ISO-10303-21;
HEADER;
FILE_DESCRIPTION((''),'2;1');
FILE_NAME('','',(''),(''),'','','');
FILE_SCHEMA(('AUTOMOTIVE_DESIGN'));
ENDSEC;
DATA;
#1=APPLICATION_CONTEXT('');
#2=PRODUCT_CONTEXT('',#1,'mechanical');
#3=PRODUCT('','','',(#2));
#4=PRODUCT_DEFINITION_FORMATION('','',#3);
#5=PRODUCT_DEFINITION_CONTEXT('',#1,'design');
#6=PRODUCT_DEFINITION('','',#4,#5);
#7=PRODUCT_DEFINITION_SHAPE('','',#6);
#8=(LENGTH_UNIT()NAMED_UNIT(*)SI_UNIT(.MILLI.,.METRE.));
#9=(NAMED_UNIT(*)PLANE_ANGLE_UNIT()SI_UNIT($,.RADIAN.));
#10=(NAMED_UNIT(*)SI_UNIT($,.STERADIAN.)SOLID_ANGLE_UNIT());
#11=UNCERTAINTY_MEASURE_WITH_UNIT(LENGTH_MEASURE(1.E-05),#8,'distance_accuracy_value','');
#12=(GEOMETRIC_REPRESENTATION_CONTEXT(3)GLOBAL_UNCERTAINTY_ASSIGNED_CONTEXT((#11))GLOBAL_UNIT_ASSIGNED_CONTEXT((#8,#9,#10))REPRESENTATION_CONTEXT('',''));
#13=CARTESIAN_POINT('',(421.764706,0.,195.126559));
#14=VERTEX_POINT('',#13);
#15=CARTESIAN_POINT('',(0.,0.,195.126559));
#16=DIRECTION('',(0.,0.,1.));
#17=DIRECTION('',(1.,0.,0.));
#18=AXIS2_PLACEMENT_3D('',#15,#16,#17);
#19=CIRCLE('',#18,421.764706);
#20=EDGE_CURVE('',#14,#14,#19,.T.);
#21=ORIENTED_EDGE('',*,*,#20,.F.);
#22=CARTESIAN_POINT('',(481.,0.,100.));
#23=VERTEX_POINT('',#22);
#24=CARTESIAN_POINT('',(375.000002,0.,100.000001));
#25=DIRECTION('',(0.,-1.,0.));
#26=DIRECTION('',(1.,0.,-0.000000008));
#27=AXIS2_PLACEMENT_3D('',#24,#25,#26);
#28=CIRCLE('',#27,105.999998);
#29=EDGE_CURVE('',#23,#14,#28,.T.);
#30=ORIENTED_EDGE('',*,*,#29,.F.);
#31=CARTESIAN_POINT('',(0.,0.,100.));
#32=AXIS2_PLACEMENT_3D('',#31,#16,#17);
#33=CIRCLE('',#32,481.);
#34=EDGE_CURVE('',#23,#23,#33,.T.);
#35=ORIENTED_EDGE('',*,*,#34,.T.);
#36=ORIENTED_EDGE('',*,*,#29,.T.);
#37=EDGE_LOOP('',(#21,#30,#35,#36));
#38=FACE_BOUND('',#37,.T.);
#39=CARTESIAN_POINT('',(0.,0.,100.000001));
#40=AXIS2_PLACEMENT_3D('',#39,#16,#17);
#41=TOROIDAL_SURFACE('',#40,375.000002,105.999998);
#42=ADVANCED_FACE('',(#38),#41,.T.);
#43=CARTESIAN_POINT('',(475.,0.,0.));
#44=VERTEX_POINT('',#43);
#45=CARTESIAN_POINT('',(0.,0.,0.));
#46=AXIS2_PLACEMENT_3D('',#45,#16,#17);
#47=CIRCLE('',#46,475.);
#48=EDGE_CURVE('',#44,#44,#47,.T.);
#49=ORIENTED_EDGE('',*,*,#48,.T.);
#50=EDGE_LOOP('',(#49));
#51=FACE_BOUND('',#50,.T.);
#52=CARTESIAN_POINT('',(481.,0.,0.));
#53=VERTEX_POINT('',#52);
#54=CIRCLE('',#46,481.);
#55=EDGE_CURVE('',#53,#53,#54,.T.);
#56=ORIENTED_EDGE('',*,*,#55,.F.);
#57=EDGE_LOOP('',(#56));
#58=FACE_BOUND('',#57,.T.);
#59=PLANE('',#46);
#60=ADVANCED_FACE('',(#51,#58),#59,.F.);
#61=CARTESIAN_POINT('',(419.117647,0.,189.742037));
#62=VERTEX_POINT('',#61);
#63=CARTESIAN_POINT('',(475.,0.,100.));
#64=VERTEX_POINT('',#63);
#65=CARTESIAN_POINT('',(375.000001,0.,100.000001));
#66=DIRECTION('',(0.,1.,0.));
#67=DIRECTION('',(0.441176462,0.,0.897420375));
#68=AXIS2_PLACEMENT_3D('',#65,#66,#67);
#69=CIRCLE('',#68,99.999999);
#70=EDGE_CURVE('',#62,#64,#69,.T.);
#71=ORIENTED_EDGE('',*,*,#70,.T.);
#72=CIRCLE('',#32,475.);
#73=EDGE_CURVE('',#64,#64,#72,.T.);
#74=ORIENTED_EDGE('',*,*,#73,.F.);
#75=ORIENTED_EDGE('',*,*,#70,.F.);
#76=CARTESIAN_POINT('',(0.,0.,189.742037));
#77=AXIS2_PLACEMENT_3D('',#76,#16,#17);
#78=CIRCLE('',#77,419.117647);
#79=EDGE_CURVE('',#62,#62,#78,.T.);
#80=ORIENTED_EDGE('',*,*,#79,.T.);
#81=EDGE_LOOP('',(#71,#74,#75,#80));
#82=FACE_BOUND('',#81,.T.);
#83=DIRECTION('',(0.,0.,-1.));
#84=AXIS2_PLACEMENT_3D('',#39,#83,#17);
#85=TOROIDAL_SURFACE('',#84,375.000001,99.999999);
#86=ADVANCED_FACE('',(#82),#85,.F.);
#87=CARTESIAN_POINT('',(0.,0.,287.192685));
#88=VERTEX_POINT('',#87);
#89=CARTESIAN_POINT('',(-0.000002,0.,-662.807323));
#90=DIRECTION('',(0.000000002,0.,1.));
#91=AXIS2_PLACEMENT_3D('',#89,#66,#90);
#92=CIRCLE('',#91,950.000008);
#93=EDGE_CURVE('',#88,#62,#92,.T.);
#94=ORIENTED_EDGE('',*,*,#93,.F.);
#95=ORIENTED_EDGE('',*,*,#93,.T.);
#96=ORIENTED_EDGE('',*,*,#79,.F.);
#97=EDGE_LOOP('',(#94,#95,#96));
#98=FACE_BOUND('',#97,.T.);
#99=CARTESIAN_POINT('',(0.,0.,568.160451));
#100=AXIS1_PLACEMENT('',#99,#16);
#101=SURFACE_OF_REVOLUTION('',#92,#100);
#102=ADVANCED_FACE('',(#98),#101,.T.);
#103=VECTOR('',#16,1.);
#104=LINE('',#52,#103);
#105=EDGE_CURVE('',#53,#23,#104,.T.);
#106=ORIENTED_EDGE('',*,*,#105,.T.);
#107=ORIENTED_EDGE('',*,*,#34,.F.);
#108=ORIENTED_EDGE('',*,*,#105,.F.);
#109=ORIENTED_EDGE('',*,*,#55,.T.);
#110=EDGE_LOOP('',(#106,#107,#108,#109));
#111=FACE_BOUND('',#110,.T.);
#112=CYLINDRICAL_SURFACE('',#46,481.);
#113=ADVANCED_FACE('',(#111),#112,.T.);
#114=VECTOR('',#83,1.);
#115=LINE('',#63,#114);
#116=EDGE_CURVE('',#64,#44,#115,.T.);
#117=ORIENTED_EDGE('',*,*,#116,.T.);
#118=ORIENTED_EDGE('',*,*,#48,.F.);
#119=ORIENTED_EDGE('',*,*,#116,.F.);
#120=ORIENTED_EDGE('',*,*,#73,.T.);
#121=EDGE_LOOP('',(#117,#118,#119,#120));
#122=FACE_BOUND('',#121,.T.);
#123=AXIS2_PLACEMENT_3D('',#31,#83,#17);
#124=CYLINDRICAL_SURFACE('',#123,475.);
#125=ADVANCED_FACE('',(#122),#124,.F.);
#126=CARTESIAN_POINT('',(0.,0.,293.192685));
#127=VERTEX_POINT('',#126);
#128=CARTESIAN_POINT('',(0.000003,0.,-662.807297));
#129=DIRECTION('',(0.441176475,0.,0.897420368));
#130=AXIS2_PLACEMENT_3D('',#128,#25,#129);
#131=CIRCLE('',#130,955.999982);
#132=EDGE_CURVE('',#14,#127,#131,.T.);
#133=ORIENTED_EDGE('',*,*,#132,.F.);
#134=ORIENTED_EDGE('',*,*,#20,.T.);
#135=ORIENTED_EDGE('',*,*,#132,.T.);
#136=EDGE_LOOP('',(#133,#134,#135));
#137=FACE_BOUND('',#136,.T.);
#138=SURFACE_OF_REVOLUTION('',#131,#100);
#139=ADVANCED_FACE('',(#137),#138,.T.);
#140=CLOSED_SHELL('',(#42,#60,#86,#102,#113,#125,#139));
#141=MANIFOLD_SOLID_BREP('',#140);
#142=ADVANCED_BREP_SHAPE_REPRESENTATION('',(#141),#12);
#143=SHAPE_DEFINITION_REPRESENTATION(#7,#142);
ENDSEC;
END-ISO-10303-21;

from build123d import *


with BuildPart() as f1:
    # F0 (on Front) → F1 (revolve)
    with BuildSketch(Plane.XZ):
        with BuildLine():
            ThreePointArc((419.117647, 189.742037), (459.887469, 152.859414), (475, 100))
            Line((475, 100), (475, 0))
            Line((475, 0), (481, 0))
            Line((481, 0), (481, 100))
            ThreePointArc((481, 100), (464.980717, 156.030979), (421.764706, 195.126559))
            ThreePointArc((421.764706, 195.126559), (216.507755, 268.353462), (0, 293.192685))
            Line((0, 293.192685), (0, 287.192685))
            ThreePointArc((0, 287.192685), (215.14892, 262.509356), (419.117647, 189.742037))
        make_face()
    revolve(axis=Axis((0, 0, 568.160451), (0, 0, 1)))


solid = f1.part
